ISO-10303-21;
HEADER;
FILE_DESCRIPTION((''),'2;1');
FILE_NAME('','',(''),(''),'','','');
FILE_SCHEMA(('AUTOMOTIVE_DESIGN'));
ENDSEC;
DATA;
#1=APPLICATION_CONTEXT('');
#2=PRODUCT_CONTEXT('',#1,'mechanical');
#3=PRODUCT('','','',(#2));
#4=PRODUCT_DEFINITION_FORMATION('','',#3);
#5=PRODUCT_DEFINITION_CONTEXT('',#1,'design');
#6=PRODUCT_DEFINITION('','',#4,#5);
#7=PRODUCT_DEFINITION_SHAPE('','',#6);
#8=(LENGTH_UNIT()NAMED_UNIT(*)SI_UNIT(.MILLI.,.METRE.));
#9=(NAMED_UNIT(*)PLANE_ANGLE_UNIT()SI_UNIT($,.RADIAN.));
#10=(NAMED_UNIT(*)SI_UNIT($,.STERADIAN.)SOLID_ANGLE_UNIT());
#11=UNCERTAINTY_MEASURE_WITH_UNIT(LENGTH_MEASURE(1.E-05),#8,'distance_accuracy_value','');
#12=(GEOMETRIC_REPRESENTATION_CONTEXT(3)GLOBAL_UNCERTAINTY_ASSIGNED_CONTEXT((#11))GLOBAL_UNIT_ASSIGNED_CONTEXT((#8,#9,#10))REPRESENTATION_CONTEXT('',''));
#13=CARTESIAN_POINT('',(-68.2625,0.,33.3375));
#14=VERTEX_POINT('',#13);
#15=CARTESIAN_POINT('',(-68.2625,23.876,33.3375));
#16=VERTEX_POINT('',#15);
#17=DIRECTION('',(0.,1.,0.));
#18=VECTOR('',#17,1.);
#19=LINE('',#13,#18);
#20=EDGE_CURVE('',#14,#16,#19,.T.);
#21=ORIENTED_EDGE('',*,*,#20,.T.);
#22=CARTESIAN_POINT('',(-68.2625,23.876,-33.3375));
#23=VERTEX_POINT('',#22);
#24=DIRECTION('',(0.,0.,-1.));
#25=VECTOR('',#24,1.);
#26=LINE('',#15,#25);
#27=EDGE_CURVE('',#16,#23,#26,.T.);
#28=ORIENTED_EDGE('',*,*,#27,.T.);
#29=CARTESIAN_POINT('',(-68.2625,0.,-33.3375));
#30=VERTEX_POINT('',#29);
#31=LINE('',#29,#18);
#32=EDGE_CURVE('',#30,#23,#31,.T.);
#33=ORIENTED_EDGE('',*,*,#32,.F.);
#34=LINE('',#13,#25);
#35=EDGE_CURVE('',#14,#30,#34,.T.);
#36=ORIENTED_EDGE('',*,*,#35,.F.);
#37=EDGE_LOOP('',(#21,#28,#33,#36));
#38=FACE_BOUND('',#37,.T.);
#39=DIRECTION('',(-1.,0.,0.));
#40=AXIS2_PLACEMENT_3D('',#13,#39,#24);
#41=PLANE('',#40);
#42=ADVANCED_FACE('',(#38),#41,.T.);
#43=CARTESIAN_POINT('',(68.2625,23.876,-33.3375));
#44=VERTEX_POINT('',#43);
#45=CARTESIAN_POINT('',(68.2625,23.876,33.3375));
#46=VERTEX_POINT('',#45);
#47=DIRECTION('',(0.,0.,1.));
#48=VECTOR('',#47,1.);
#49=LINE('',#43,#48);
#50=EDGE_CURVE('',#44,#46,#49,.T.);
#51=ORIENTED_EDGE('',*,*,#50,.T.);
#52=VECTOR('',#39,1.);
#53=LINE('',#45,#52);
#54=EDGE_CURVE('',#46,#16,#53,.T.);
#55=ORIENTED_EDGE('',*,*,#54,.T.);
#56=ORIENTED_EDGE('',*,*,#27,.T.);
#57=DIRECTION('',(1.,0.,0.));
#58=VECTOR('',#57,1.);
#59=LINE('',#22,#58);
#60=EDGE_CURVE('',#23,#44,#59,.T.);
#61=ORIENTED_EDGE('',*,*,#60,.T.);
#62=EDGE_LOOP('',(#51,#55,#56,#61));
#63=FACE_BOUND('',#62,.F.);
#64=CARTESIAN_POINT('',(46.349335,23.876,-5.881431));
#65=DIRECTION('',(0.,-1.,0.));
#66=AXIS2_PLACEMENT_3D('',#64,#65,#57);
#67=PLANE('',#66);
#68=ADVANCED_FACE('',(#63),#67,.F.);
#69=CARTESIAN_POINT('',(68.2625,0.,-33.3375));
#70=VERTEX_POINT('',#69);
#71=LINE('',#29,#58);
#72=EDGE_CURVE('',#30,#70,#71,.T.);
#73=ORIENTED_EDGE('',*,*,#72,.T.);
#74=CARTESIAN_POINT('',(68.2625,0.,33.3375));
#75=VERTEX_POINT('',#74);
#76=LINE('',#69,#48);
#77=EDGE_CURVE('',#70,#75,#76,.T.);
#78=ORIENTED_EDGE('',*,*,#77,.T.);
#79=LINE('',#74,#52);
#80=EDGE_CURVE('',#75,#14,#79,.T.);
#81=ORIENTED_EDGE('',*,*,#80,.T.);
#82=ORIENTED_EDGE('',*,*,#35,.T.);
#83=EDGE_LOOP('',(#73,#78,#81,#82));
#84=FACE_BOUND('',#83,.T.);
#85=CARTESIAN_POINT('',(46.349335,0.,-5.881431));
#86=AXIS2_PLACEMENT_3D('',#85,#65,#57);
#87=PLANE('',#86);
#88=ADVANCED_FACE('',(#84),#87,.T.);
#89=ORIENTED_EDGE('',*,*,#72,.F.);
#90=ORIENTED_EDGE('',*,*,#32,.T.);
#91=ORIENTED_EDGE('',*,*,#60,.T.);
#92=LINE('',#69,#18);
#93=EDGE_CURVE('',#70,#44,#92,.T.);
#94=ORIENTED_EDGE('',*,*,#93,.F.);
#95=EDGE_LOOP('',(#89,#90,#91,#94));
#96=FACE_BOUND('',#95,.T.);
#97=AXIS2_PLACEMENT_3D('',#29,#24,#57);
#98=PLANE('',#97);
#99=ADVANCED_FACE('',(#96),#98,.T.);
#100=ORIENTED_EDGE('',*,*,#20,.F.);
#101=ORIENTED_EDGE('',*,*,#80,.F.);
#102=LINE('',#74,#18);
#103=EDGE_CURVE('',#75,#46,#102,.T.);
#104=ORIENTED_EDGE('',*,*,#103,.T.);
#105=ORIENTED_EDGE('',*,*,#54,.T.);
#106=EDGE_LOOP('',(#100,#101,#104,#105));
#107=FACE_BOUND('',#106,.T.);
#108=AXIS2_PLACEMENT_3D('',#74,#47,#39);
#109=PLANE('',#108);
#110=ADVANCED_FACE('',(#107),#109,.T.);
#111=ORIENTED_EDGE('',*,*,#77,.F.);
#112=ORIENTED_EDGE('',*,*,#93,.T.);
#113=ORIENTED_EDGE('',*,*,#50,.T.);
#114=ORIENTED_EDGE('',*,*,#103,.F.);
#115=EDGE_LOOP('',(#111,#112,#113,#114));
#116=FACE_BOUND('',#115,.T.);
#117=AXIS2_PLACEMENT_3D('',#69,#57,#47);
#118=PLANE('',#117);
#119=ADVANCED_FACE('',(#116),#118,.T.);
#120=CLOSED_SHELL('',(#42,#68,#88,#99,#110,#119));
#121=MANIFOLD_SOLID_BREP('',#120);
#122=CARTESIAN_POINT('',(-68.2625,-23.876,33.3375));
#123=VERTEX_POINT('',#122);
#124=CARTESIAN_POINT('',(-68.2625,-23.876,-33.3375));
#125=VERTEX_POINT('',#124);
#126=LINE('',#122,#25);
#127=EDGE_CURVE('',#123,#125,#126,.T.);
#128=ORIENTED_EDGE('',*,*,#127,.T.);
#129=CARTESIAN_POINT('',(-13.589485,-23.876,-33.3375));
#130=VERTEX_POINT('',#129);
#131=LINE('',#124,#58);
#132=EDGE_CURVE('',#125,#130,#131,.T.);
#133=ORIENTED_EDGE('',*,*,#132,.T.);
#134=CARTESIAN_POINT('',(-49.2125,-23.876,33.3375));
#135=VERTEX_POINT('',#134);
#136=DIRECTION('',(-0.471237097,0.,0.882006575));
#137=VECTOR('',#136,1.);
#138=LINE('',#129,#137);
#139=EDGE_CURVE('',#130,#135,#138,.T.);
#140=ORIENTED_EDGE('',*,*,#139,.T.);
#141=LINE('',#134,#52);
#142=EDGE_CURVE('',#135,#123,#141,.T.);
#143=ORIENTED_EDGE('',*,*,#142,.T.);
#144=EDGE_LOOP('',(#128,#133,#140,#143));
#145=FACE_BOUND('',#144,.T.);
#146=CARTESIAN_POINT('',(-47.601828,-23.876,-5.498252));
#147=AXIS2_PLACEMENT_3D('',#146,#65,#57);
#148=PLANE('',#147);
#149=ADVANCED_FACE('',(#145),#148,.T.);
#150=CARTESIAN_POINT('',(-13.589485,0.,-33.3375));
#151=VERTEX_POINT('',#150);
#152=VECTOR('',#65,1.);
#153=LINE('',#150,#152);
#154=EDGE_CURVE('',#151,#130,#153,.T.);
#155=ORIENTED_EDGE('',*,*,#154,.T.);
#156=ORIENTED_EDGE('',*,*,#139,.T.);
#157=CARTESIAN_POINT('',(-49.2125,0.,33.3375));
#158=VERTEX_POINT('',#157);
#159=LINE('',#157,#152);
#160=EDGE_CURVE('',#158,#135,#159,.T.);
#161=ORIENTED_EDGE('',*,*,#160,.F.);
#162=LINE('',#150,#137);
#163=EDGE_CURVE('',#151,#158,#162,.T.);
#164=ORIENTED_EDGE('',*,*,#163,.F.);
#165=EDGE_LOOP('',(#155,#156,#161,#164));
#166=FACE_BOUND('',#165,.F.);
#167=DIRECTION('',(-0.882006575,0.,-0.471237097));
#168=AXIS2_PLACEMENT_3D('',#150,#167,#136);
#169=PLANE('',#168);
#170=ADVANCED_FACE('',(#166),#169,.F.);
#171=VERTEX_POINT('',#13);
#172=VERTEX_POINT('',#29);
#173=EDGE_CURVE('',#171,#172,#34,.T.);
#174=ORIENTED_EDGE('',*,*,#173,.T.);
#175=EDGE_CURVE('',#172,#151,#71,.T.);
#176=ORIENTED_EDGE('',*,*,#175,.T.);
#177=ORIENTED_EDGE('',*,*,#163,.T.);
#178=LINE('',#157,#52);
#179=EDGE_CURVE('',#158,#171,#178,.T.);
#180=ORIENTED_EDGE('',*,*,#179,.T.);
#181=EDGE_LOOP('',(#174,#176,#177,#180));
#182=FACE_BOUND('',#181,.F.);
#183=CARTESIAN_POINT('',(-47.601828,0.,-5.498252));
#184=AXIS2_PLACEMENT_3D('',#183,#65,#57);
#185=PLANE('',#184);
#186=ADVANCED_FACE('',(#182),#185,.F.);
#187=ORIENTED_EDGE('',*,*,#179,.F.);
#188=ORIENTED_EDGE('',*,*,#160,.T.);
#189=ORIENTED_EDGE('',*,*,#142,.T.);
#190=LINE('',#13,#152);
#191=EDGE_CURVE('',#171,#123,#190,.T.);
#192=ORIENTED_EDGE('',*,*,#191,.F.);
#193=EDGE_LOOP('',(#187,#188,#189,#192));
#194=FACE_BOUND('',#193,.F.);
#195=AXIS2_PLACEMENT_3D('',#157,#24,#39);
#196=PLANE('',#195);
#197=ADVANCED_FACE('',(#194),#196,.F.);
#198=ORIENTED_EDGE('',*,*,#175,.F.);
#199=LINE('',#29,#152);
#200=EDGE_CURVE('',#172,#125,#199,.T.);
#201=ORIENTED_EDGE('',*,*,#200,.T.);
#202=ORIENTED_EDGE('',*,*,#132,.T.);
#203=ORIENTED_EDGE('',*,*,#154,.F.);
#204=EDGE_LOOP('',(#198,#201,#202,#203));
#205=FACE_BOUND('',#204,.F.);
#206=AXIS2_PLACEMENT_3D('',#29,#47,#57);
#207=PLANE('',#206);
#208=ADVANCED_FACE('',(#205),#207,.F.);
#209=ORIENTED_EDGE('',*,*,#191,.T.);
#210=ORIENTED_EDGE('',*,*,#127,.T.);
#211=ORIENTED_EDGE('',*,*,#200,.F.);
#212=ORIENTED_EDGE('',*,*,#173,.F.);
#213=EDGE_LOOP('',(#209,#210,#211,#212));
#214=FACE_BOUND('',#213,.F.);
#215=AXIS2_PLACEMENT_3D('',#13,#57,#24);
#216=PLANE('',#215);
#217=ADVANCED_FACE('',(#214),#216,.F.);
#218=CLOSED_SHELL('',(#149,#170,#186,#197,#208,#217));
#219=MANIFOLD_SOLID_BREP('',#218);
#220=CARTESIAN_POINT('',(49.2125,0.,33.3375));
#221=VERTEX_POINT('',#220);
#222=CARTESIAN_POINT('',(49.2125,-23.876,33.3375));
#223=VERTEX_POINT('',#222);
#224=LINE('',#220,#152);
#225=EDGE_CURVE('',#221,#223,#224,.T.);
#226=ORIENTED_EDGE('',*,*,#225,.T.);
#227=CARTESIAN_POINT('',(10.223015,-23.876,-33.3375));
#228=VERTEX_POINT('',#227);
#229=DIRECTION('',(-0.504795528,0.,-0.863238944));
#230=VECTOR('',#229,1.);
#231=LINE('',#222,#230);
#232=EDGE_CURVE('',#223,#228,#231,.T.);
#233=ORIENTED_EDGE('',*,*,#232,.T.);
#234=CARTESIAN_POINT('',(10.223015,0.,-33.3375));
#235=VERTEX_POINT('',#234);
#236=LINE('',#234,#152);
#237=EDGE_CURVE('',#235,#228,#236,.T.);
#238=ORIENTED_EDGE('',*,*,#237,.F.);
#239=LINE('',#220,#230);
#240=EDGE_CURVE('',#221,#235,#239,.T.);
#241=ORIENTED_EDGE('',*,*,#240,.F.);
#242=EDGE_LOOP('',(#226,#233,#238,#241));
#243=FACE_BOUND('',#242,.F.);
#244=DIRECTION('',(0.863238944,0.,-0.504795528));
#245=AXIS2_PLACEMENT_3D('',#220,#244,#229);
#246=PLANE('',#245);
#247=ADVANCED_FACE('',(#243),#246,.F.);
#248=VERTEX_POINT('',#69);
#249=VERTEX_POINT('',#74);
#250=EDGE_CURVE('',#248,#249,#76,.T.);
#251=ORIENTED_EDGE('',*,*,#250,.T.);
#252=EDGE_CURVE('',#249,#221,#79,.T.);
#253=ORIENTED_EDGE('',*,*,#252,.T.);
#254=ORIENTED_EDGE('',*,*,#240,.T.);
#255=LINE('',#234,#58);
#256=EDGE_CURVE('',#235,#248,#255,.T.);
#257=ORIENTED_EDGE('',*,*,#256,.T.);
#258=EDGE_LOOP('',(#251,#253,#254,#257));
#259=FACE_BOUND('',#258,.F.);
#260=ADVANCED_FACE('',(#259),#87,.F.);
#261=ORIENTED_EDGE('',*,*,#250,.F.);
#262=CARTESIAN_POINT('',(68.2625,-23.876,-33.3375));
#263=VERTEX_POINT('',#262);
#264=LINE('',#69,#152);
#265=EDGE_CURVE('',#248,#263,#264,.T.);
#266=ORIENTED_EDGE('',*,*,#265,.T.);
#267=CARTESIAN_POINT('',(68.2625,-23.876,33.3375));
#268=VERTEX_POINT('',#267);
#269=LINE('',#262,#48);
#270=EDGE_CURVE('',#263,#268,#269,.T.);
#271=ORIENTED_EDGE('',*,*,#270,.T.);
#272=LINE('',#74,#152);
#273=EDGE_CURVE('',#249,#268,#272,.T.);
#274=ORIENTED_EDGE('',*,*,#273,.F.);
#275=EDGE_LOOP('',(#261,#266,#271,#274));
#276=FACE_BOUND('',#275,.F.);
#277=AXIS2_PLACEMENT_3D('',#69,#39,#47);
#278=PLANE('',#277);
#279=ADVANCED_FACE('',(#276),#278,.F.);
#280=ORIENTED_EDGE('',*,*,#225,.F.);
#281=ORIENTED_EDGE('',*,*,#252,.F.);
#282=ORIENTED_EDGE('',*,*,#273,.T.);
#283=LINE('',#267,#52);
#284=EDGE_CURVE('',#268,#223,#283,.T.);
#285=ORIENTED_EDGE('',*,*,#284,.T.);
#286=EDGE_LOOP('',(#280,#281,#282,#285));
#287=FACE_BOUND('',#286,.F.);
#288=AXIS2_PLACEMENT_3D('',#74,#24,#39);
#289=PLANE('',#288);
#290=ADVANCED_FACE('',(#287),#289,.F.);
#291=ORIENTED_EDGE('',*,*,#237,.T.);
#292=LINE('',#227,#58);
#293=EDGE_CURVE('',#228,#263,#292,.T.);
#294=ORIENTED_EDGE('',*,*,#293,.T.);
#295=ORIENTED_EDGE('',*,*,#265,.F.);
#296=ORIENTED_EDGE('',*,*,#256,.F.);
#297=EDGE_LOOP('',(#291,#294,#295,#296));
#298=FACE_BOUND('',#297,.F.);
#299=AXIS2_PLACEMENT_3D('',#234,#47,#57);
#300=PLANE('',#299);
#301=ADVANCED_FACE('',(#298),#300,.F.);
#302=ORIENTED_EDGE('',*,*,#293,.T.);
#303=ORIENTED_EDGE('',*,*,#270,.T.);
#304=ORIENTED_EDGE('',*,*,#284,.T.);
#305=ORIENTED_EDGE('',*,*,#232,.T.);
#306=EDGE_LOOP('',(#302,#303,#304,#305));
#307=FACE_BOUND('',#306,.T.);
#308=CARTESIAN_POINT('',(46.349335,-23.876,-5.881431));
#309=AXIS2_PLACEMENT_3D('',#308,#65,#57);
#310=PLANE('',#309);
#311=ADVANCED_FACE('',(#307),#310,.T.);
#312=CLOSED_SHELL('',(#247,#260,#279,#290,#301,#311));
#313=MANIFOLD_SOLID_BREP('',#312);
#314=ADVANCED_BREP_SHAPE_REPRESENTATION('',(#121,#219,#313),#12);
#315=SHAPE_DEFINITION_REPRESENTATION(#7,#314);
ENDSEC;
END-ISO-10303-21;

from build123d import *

# Parameters (mm, degrees)
F1_DEPTH = 23.876
F2_DEPTH = 23.876


with BuildPart() as f1:
    # F0 (on Front) → F1 (new body)
    with BuildSketch(Plane.XZ):
        Polygon((-13.589485, -33.3375), (-49.2125, 33.3375), (-68.2625, 33.3375), (-68.2625, -33.3375), align=None)
        Polygon((68.2625, -33.133913), (68.2625, 33.3375), (49.2125, 33.3375), (10.223015, -33.3375), (68.2625, -33.3375), align=None)
    extrude(amount=F1_DEPTH)


with BuildPart() as f2:
    # F0 (on Front) → F2 (new body)
    with BuildSketch(Plane.XZ):
        Polygon((68.2625, -33.133913), (68.2625, 33.3375), (49.2125, 33.3375), (10.223015, -33.3375), (68.2625, -33.3375), align=None)
        Polygon((10.223015, -33.3375), (49.2125, 33.3375), (-49.2125, 33.3375), (-13.589485, -33.3375), align=None)
        Polygon((-13.589485, -33.3375), (-49.2125, 33.3375), (-68.2625, 33.3375), (-68.2625, -33.3375), align=None)
    extrude(amount=-F2_DEPTH)


solid = Compound([f1.part, f2.part])
